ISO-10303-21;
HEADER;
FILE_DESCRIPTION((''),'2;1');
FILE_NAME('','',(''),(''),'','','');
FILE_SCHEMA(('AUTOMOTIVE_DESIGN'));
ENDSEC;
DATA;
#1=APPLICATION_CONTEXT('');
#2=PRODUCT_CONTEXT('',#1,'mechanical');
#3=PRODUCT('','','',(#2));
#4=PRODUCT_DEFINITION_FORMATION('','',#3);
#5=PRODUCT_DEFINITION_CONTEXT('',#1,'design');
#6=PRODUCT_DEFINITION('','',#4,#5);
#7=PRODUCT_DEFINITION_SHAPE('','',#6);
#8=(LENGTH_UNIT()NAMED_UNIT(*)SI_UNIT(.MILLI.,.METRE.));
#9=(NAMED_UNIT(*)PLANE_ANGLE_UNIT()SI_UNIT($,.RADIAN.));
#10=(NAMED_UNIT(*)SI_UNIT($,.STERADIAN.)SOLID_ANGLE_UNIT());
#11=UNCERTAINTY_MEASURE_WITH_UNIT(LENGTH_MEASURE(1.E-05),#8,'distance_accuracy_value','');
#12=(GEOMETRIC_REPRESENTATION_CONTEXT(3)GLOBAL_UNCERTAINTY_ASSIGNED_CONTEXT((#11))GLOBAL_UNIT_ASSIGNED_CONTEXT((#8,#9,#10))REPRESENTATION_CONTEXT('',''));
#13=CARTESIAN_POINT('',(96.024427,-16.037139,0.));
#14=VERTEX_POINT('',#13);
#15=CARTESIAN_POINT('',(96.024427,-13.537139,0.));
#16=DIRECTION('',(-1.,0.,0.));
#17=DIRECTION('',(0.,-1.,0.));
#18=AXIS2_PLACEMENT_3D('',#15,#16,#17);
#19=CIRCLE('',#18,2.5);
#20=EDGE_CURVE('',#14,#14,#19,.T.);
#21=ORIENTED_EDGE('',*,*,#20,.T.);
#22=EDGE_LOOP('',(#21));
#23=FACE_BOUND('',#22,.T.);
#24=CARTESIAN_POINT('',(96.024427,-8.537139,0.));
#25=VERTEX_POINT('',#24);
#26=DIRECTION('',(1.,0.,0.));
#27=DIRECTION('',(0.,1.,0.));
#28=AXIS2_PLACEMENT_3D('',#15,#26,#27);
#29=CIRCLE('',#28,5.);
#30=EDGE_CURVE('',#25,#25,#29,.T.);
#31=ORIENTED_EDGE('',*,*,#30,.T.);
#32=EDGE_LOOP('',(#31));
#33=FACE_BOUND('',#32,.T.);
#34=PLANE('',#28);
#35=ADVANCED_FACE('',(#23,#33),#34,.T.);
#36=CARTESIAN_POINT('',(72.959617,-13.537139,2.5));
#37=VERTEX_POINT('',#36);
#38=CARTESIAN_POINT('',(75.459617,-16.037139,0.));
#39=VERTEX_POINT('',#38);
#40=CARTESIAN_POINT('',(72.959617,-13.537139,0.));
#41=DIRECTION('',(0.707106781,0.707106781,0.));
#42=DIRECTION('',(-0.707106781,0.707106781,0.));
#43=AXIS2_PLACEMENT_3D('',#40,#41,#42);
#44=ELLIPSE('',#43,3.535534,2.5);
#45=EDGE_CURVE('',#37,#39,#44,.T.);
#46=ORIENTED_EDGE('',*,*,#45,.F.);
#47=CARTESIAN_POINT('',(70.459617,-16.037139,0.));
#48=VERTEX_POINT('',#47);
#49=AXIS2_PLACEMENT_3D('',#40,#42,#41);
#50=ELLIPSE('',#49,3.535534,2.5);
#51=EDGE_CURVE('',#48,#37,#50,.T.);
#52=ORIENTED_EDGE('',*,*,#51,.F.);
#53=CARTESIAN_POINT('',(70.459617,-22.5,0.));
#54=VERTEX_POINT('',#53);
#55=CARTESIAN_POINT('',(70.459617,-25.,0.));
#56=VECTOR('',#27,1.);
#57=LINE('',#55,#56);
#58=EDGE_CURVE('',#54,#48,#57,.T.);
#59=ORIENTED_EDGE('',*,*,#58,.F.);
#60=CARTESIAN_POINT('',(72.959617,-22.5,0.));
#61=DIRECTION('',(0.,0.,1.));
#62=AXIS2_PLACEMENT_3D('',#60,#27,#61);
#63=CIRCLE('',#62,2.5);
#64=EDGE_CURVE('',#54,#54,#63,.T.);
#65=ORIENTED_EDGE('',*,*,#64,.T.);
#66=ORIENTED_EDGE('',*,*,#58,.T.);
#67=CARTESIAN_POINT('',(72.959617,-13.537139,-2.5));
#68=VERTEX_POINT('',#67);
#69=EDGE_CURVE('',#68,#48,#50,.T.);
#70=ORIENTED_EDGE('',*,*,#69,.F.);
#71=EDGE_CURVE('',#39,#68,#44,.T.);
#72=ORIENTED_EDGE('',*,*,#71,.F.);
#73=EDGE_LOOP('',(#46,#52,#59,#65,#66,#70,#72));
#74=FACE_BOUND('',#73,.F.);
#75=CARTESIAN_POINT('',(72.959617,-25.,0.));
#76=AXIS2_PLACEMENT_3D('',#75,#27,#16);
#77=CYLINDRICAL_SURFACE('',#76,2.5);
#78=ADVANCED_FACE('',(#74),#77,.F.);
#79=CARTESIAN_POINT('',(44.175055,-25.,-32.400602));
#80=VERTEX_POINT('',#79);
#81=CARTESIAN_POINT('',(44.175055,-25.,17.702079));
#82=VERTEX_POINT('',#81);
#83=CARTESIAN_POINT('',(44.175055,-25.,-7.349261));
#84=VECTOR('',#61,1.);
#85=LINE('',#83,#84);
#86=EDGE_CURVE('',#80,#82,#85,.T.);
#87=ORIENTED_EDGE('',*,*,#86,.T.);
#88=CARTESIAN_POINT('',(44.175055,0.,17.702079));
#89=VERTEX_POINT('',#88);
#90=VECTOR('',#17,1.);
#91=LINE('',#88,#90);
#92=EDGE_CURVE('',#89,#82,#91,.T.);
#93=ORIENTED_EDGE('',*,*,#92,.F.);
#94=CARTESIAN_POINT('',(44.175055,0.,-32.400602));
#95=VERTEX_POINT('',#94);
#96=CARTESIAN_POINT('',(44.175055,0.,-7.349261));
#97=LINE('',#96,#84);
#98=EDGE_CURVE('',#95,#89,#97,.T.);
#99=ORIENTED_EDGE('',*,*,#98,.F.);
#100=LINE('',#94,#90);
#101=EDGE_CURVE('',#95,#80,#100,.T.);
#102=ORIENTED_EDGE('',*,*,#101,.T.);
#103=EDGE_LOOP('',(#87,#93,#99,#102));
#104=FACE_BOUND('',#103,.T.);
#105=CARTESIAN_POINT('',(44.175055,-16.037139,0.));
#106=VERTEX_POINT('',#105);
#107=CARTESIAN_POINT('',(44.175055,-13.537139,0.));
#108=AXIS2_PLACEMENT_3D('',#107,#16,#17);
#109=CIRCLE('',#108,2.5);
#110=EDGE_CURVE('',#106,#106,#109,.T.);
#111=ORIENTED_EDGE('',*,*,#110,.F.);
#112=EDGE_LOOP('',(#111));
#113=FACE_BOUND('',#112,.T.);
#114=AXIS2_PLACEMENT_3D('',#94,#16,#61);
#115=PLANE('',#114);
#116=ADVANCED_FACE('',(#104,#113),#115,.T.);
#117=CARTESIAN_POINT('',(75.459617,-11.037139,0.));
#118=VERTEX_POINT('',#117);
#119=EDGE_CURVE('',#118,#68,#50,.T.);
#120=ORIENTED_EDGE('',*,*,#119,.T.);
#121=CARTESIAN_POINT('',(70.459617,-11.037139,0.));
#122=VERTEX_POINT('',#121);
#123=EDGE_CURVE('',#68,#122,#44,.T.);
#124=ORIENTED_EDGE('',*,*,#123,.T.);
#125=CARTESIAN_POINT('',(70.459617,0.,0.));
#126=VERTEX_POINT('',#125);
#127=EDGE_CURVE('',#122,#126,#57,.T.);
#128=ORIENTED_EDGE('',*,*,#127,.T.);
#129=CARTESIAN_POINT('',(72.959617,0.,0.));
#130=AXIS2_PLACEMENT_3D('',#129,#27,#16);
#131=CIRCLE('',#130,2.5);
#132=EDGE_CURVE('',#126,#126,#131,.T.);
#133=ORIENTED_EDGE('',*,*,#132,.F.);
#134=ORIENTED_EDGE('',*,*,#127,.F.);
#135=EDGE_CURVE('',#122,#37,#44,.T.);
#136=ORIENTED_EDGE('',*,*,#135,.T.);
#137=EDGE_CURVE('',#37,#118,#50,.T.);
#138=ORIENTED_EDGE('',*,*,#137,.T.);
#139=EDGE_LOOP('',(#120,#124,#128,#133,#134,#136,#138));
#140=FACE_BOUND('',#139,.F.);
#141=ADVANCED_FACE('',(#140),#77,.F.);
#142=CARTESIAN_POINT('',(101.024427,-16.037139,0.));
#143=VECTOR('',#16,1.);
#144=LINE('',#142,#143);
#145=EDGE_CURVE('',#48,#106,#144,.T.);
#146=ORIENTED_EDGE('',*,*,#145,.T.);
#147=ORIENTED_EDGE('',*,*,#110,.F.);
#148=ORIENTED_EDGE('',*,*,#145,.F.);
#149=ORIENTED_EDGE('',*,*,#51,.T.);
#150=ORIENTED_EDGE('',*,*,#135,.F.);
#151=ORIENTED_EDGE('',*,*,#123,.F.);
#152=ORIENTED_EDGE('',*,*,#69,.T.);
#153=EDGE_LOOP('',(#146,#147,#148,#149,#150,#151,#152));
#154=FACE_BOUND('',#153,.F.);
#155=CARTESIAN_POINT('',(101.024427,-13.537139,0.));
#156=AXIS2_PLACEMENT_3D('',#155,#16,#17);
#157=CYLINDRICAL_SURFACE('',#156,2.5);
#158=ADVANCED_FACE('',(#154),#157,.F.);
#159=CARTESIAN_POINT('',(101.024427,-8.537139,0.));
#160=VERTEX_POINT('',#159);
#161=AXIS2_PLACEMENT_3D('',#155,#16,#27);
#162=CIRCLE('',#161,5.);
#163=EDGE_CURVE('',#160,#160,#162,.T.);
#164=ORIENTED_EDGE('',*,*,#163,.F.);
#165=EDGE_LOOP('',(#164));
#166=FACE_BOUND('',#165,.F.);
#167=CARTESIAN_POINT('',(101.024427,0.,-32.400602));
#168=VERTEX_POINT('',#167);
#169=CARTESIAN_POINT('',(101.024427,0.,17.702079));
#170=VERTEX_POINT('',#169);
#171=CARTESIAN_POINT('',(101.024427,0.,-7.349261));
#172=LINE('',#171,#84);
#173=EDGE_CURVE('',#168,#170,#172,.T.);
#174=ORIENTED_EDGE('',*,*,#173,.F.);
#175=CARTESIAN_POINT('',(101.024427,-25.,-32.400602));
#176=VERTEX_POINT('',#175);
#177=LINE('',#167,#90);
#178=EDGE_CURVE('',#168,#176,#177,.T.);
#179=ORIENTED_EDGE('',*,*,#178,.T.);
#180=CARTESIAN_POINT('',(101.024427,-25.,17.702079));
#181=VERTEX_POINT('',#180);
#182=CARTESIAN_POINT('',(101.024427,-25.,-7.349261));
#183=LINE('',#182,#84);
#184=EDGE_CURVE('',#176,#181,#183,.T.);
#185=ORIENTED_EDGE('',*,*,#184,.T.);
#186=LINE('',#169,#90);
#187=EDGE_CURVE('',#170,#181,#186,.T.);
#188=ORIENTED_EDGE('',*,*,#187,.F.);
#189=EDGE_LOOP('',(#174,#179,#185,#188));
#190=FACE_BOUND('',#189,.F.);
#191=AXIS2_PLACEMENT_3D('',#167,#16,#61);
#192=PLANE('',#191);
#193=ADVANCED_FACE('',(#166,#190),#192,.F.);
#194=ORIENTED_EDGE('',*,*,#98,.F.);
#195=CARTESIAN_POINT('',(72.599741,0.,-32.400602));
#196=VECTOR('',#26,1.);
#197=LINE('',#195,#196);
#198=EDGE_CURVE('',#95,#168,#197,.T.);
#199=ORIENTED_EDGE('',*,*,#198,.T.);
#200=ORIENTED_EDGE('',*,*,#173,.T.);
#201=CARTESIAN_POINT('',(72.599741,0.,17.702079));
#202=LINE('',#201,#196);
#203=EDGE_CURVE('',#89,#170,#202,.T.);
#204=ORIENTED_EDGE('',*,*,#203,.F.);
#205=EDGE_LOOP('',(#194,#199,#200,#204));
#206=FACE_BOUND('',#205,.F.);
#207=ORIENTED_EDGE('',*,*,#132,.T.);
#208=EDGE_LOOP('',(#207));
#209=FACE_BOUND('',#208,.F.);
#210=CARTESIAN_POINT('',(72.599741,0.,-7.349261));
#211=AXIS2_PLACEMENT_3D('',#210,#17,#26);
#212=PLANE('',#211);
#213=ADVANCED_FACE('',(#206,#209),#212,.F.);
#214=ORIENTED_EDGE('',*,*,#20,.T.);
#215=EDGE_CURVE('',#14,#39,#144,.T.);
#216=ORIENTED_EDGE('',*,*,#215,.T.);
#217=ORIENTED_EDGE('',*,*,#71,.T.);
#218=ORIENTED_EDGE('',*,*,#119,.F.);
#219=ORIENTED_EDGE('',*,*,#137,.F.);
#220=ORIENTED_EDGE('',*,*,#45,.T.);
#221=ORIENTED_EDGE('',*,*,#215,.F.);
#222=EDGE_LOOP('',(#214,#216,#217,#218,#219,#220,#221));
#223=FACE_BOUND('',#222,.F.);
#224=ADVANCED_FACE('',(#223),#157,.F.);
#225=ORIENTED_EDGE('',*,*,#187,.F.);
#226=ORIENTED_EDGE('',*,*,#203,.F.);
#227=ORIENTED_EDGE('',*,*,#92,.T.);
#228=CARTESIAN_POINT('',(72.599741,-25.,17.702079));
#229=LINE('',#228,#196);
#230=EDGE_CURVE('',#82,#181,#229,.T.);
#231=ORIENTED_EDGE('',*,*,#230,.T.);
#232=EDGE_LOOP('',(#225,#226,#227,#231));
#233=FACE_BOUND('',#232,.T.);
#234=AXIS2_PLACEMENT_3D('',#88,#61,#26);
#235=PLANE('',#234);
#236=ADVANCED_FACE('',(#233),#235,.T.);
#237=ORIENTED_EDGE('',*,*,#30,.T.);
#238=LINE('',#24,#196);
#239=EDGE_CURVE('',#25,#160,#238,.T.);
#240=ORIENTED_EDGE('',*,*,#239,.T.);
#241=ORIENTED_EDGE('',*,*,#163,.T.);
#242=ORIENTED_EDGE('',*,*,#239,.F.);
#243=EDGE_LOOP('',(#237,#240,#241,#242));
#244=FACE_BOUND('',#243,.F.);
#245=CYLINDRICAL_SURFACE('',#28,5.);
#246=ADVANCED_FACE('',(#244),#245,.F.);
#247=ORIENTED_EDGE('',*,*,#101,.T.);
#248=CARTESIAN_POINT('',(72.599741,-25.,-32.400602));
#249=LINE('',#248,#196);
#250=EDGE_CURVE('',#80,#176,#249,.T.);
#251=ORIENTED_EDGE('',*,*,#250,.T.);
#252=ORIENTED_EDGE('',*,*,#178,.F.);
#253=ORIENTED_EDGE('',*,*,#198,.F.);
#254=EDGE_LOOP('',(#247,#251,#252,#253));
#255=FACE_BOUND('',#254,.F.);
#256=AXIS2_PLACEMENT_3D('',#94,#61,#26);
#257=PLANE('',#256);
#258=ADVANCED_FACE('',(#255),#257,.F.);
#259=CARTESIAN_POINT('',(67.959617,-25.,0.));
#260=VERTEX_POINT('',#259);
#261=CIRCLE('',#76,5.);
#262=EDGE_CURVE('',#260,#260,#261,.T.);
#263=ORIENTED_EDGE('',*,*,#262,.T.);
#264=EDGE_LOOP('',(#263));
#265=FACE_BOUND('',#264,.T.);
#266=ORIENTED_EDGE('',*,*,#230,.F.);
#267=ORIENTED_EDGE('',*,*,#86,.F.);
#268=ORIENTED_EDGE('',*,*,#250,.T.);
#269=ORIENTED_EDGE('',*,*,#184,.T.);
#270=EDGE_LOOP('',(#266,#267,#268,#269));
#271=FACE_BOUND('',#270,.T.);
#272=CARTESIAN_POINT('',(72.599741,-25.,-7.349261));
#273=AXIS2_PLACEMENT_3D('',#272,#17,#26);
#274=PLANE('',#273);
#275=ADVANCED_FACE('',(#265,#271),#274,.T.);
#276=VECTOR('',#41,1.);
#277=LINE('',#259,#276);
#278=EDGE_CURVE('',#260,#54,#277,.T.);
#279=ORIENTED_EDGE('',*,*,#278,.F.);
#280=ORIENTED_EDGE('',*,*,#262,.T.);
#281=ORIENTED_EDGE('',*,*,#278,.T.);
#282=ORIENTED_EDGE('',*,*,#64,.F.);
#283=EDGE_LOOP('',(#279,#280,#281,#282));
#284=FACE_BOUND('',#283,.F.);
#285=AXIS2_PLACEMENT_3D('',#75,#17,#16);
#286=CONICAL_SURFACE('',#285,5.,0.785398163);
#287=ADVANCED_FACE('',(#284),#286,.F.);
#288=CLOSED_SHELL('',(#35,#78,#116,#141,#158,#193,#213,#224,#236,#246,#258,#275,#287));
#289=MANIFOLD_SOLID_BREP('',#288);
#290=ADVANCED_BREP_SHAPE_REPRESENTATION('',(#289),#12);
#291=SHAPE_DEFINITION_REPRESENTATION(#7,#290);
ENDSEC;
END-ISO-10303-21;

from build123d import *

# Parameters (mm, degrees)
F0_W           = 56.849372
F0_H           = 50.102681
F1_DEPTH       = 25
F3_D           = 5
F3_CSINK_D     = 10
F3_CSINK_ANGLE = 90
F5_D           = 5
F5_CSINK_D     = 10
F5_CSINK_ANGLE = 90
F6_D           = 5
F6_CBORE_D     = 10
F6_CBORE_DEPTH = 5


with BuildPart() as f1:
    # F0 (on Front) → F1 (new body)
    with BuildSketch(Plane.XZ):
        with Locations((72.599741, -7.349261)):
            Rectangle(F0_W, F0_H)
    extrude(amount=F1_DEPTH)

    # F3 (through all)
    with Locations(Plane.XZ.offset(25)):
        with Locations((72.959617, 0)):
            CounterSinkHole(F3_D / 2, F3_CSINK_D / 2, counter_sink_angle=F3_CSINK_ANGLE)

    # F5 (through all)
    with Locations(Plane.YZ.offset(101.024427)):
        with Locations((-13.537139, 0)):
            CounterSinkHole(F5_D / 2, F5_CSINK_D / 2, counter_sink_angle=F5_CSINK_ANGLE)

    # F6 (through all)
    with Locations(Plane.YZ.offset(101.024427)):
        with Locations((-13.537139, 0)):
            CounterBoreHole(F6_D / 2, F6_CBORE_D / 2, F6_CBORE_DEPTH)


solid = f1.part
